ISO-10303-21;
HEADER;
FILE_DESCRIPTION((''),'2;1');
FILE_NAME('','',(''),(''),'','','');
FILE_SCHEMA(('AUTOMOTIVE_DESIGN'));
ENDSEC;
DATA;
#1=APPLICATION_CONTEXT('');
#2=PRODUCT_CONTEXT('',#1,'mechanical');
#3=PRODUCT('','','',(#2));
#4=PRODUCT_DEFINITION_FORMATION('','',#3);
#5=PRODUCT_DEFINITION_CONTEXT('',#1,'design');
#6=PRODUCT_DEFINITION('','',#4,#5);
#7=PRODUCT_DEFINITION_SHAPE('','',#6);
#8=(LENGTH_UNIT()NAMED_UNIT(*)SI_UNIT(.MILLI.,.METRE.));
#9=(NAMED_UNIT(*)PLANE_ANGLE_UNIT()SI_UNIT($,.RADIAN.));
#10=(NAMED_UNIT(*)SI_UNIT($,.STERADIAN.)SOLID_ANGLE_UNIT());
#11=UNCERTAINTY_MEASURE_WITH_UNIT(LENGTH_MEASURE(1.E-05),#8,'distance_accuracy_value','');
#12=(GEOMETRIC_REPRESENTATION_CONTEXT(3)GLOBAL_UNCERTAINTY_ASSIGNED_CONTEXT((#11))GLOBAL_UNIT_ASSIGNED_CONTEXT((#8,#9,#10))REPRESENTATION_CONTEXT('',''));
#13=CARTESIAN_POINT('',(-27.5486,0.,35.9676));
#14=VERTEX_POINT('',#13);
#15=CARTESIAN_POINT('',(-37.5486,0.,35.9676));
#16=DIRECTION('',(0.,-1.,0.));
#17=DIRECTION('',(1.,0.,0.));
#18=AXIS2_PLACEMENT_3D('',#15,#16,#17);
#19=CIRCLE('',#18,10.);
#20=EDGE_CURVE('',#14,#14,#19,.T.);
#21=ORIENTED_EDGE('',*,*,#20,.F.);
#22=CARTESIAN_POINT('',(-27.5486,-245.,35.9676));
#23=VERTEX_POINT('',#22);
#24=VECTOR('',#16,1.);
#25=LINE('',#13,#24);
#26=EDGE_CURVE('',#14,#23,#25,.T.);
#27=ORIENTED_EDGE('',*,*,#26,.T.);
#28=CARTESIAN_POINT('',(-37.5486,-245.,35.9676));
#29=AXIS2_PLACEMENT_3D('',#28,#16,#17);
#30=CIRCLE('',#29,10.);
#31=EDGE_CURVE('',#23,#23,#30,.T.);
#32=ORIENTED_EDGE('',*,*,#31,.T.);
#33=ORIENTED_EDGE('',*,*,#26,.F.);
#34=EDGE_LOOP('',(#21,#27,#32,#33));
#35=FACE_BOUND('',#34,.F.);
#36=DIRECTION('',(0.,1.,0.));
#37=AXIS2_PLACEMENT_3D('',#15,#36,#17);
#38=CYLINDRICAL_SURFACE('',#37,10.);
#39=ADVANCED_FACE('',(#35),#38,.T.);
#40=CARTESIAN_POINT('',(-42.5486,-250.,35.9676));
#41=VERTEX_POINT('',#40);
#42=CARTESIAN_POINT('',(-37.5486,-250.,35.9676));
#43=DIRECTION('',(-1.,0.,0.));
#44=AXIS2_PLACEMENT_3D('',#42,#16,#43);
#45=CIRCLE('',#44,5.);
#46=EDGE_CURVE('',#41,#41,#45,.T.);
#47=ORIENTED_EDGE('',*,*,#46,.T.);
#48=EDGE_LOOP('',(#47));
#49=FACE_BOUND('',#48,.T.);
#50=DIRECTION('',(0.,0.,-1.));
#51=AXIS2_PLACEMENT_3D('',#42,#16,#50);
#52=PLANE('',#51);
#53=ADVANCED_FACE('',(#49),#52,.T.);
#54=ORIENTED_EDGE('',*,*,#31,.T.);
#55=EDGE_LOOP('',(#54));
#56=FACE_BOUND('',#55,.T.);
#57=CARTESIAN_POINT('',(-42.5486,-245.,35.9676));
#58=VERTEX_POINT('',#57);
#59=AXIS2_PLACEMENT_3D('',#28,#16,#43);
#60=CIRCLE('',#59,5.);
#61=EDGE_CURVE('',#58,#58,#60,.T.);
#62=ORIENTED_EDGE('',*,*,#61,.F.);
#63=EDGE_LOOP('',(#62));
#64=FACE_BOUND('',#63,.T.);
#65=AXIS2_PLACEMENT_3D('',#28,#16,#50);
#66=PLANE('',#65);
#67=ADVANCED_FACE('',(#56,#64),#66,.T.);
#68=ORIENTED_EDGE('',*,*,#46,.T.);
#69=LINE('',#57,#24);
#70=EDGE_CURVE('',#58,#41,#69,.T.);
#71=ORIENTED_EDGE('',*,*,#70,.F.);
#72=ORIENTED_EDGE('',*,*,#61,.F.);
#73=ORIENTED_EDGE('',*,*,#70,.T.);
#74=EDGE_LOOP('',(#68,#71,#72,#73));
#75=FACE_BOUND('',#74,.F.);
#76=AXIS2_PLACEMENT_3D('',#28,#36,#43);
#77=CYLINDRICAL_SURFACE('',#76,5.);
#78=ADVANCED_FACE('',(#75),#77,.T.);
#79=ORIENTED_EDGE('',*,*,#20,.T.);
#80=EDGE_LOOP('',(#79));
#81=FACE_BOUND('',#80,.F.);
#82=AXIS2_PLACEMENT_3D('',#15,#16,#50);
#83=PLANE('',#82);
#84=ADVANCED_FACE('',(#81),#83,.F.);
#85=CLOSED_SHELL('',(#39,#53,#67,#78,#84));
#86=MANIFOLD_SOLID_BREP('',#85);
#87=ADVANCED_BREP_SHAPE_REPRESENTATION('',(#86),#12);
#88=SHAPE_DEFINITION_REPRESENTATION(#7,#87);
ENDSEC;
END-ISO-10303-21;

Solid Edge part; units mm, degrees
sketch "Sketch1" plane through (0, 0, 0) normal (0, -1, 0) x (1, 0, 0)
  circle A0 centre (-37.5486, 35.9676) radius 10
  dimension "D1" = 20
extrude "Protrusion1" add sketch "Sketch1" along normal blind 245
sketch "Sketch2" plane through (-37.5486, -245, 35.9676) normal (0, -1, 0) x (-1, 0, 0)
  circle A0 centre (0, 0) radius 5
  dimension "D1" = 10
extrude "ExtrudedProtrusion_2" add sketch "Sketch2" along normal blind 5
properties material "Aluminum, 6061-T6"
